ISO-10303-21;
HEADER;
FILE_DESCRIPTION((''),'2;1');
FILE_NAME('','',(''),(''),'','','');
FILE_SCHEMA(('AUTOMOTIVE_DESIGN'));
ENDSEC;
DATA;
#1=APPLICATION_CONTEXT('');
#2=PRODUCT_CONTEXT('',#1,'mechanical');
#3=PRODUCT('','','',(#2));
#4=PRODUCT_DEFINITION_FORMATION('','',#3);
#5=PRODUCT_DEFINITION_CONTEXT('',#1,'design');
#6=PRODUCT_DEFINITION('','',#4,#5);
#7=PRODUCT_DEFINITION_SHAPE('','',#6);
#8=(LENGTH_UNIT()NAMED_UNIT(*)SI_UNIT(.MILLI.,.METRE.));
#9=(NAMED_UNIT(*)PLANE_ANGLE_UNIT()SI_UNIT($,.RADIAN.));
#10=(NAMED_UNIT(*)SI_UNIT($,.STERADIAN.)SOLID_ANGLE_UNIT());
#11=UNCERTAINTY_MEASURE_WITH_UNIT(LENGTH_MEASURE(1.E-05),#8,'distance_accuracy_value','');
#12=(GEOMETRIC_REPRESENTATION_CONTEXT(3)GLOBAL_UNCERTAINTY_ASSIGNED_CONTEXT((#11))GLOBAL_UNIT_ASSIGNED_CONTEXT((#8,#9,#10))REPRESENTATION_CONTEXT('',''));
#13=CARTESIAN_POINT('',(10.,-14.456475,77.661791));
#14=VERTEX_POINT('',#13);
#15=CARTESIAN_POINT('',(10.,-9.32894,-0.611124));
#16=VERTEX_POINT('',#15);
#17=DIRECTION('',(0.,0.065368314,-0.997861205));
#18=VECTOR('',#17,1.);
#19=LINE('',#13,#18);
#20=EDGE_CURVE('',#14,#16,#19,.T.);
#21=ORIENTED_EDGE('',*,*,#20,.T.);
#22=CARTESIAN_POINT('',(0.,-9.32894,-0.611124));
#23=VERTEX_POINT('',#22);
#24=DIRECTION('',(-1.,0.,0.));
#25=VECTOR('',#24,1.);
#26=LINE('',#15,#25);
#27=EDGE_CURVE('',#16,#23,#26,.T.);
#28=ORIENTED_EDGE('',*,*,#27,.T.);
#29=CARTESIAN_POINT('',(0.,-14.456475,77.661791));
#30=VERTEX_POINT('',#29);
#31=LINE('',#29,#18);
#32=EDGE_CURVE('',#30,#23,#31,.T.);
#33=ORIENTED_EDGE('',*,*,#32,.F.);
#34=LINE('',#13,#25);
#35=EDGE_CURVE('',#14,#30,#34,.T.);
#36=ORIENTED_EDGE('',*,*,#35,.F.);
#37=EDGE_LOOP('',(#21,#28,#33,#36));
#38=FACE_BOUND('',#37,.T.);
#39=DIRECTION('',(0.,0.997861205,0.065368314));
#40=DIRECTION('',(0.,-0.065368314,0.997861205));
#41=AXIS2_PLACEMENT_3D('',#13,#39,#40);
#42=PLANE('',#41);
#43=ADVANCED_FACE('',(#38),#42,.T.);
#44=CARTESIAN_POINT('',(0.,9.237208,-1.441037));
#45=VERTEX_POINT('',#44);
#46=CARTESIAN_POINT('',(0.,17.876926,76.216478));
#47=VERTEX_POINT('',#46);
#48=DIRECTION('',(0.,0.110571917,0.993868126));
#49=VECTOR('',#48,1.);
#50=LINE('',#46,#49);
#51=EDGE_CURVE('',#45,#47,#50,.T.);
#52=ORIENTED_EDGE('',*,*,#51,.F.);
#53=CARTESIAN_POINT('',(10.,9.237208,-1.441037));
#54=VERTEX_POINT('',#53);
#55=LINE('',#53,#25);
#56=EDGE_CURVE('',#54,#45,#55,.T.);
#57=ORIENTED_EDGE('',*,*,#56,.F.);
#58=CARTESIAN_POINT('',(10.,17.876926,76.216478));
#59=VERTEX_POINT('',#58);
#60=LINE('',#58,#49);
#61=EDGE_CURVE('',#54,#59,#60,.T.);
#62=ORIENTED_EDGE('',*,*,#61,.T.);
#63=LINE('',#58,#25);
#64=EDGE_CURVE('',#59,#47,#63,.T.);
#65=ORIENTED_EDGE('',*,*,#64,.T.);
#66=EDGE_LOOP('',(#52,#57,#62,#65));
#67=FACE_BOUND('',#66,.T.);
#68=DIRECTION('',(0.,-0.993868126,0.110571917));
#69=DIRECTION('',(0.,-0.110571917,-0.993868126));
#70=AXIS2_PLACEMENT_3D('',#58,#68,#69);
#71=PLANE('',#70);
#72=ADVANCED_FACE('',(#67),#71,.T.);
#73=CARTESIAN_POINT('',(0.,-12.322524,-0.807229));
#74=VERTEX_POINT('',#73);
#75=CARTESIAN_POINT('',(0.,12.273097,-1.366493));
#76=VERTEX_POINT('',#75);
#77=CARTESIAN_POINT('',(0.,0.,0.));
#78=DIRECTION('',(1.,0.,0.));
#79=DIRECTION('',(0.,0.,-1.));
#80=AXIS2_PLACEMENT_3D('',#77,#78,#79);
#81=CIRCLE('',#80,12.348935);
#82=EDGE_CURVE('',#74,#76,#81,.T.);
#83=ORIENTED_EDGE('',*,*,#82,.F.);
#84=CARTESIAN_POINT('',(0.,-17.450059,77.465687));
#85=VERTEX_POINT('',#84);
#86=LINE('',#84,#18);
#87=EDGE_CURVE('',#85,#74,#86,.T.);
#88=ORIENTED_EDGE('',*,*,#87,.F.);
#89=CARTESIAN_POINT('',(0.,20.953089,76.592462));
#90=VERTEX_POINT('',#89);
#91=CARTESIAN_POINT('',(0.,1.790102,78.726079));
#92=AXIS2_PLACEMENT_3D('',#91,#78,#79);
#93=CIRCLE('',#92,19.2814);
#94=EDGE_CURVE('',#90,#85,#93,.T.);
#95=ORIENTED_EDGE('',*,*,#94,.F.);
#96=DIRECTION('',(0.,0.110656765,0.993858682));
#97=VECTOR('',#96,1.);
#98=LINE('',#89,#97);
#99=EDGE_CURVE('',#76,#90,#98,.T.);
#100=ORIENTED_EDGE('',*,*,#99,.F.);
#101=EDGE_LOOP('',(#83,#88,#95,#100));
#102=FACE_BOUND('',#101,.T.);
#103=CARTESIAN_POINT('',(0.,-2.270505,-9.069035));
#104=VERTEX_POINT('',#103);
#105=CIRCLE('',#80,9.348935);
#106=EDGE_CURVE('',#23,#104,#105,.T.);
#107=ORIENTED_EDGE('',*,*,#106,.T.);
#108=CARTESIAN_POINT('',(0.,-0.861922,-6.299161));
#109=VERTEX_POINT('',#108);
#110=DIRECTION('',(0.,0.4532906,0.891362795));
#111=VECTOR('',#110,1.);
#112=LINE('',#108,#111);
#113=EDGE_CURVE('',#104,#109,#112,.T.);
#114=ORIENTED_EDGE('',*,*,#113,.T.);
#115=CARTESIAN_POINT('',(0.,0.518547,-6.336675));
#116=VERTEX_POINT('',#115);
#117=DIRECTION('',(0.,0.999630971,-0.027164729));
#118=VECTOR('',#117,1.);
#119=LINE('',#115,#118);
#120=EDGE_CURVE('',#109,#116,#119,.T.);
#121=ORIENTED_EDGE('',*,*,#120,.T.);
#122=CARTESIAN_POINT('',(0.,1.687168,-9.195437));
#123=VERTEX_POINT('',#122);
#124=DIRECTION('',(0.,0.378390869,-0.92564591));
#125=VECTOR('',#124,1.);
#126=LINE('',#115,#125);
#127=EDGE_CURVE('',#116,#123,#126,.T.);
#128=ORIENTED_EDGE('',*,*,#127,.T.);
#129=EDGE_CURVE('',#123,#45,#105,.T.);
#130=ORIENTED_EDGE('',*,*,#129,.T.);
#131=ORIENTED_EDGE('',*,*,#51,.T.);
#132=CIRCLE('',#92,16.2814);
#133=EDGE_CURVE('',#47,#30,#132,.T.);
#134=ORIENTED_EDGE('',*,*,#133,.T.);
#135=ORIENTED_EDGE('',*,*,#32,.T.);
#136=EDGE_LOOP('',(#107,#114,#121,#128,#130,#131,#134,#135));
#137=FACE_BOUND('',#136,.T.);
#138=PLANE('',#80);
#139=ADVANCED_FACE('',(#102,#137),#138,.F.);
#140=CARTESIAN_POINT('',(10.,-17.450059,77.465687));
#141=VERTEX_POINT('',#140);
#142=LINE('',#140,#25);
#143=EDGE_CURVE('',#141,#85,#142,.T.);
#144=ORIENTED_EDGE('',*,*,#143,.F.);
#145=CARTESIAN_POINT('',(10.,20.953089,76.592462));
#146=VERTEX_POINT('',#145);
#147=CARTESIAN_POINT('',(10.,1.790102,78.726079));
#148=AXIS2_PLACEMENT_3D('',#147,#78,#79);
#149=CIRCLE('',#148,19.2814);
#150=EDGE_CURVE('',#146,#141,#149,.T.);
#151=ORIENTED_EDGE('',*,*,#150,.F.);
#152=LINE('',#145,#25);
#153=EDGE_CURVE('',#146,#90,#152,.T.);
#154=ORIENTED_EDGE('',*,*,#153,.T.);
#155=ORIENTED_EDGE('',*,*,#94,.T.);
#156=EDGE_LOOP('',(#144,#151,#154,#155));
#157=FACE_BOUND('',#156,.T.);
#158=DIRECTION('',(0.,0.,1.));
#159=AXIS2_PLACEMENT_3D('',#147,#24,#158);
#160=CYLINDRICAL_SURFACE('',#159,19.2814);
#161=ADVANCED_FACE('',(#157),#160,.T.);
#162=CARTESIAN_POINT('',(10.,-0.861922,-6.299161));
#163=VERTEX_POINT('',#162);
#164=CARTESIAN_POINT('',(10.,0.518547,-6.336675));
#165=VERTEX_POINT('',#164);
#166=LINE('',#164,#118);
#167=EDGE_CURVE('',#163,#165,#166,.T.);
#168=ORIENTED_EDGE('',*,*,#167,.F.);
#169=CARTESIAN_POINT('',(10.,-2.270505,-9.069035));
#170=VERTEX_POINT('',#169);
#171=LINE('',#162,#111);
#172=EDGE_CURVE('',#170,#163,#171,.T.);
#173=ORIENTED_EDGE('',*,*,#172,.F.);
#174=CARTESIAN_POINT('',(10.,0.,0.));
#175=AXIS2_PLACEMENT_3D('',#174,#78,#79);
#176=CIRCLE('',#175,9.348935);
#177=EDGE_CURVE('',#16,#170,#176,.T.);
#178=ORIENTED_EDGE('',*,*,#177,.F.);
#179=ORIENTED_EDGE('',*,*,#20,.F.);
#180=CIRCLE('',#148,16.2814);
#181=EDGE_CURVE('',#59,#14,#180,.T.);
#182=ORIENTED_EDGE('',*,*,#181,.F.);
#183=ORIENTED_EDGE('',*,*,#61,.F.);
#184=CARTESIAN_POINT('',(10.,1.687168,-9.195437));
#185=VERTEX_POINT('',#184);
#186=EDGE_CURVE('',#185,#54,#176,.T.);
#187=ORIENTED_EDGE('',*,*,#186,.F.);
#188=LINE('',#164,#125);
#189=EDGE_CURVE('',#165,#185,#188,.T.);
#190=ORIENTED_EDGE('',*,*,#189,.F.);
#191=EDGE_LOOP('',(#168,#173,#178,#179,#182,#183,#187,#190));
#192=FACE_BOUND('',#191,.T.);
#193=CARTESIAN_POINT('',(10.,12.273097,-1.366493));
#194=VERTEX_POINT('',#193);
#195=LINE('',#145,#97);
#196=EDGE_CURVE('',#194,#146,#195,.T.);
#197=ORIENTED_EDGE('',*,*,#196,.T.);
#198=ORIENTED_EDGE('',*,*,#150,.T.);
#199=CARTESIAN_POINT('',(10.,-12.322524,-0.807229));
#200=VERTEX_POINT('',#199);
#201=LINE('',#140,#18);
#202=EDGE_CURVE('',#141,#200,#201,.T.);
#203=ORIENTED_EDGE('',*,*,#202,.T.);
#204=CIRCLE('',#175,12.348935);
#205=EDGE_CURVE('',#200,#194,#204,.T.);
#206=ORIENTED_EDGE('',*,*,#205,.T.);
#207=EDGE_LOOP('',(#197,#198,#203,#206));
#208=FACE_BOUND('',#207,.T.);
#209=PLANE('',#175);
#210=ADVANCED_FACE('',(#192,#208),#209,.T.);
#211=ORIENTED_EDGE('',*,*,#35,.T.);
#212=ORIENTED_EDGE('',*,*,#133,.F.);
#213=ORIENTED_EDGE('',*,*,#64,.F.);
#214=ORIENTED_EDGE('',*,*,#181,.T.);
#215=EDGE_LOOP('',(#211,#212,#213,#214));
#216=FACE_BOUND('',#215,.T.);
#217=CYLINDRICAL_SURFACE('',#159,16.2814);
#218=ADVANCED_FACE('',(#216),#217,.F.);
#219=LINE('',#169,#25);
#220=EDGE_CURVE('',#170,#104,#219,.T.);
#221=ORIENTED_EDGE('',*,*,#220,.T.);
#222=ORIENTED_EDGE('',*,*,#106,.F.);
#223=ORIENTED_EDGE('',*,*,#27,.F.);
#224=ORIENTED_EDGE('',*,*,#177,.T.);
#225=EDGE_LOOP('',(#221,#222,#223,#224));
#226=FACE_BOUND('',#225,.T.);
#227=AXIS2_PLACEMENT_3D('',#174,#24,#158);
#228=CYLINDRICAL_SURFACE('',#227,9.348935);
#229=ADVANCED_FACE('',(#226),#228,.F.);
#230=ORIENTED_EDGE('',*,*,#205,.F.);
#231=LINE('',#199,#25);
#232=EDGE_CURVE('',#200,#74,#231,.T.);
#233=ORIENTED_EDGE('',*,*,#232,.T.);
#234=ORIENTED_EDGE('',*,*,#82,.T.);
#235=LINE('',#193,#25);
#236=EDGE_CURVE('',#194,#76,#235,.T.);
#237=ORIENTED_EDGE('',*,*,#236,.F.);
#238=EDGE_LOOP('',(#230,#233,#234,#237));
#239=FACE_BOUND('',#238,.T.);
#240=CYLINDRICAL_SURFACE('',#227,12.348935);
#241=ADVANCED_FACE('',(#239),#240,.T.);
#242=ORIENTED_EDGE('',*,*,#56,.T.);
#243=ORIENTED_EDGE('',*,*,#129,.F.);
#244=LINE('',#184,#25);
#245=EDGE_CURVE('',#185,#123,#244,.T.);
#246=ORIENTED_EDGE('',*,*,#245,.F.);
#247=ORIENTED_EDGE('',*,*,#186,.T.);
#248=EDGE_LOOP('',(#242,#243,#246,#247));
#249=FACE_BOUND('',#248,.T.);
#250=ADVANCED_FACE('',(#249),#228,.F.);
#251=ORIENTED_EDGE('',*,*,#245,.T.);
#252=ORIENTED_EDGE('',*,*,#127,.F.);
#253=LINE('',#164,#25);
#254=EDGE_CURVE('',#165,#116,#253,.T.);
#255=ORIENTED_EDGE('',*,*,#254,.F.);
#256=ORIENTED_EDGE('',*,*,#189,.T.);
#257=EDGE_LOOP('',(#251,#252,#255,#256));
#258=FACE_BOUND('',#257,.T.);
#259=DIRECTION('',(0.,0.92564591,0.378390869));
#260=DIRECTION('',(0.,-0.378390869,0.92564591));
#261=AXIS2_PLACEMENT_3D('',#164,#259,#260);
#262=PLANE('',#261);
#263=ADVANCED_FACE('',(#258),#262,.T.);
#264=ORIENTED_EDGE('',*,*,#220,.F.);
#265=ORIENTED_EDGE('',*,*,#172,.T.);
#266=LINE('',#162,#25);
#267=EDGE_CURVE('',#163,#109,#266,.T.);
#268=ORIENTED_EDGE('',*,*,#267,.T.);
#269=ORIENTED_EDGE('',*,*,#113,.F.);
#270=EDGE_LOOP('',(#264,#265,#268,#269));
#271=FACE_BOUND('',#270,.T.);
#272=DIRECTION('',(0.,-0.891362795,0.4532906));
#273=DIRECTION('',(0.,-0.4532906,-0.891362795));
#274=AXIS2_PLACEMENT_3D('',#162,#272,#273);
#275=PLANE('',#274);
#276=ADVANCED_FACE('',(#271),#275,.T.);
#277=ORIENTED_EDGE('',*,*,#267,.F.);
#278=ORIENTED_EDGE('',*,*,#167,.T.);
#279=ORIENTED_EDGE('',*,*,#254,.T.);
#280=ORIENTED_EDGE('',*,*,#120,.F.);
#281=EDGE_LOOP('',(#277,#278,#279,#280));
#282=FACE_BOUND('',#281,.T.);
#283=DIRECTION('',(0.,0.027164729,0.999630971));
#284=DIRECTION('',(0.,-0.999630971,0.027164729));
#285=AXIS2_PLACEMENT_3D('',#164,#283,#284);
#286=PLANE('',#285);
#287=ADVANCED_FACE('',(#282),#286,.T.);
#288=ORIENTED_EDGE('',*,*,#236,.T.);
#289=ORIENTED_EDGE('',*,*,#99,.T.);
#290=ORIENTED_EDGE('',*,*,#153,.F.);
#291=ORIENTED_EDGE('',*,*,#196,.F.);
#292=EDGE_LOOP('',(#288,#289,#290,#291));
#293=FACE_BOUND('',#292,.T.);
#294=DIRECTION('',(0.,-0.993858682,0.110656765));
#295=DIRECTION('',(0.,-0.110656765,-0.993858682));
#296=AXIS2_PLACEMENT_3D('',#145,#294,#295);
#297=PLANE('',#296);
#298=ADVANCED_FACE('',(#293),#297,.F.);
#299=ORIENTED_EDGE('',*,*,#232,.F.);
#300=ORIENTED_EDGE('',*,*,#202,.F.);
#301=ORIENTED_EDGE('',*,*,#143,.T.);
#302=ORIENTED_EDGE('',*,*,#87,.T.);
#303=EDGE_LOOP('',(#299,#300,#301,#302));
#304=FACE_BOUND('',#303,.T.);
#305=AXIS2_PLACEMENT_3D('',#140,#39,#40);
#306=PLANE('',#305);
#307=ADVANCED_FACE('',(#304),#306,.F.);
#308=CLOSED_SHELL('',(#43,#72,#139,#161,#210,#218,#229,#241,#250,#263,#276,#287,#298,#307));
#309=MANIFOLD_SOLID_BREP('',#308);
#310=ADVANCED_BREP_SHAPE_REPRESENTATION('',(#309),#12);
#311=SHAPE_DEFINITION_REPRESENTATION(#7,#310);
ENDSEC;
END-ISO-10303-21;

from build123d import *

# Parameters (mm, degrees)
BOSS_EXTRUDE1_DEPTH = 10
BOSS_EXTRUDE2_DEPTH = 10


with BuildPart() as part:
    # Sketch1 → Boss-Extrude1 (new body)
    with BuildSketch(Plane(origin=(0, 0, 0), x_dir=(0, 0, -1), z_dir=(1, 0, 0))):
        with BuildLine():
            Line((-76.592461771, 20.953089015), (1.366493243, 12.273096648))
            ThreePointArc((1.366493243, 12.273096648), (12.345744217, -0.280722022), (0.807229086, -12.322523537))
            Line((0.807229086, -12.322523537), (-77.465686513, -17.45005881))
            ThreePointArc((-77.465686513, -17.45005881), (-98.002496493, 2.228416408), (-76.592461771, 20.953089015))
        make_face()
        with BuildLine():
            Line((-77.661791455, -14.456475197), (0.611124144, -9.328939923))
            ThreePointArc((0.611124144, -9.328939923), (9.339609214, -0.417483589), (1.441037018, 9.237207648))
            Line((1.441037018, 9.237207648), (-76.216477855, 17.876925629))
            ThreePointArc((-76.216477855, 17.876925629), (-94.991237369, 2.517160117), (-77.661791455, -14.456475197))
        make_face(mode=Mode.SUBTRACT)
    extrude(amount=BOSS_EXTRUDE1_DEPTH)

    # Sketch2 → Boss-Extrude2 (add)
    with BuildSketch(Plane.ZY):
        with BuildLine():
            Line((-6.336674596, 0.518546587), (-9.195436771, 1.687167861))
            ThreePointArc((-9.195436771, 1.687167861), (-9.3441708, -0.298437374), (-9.069035243, -2.270504914))
            Line((-9.069035243, -2.270504914), (-6.299160688, -0.86192234))
            Line((-6.299160688, -0.86192234), (-6.336674596, 0.518546587))
        make_face()
    extrude(amount=-BOSS_EXTRUDE2_DEPTH)


solid = part.part
